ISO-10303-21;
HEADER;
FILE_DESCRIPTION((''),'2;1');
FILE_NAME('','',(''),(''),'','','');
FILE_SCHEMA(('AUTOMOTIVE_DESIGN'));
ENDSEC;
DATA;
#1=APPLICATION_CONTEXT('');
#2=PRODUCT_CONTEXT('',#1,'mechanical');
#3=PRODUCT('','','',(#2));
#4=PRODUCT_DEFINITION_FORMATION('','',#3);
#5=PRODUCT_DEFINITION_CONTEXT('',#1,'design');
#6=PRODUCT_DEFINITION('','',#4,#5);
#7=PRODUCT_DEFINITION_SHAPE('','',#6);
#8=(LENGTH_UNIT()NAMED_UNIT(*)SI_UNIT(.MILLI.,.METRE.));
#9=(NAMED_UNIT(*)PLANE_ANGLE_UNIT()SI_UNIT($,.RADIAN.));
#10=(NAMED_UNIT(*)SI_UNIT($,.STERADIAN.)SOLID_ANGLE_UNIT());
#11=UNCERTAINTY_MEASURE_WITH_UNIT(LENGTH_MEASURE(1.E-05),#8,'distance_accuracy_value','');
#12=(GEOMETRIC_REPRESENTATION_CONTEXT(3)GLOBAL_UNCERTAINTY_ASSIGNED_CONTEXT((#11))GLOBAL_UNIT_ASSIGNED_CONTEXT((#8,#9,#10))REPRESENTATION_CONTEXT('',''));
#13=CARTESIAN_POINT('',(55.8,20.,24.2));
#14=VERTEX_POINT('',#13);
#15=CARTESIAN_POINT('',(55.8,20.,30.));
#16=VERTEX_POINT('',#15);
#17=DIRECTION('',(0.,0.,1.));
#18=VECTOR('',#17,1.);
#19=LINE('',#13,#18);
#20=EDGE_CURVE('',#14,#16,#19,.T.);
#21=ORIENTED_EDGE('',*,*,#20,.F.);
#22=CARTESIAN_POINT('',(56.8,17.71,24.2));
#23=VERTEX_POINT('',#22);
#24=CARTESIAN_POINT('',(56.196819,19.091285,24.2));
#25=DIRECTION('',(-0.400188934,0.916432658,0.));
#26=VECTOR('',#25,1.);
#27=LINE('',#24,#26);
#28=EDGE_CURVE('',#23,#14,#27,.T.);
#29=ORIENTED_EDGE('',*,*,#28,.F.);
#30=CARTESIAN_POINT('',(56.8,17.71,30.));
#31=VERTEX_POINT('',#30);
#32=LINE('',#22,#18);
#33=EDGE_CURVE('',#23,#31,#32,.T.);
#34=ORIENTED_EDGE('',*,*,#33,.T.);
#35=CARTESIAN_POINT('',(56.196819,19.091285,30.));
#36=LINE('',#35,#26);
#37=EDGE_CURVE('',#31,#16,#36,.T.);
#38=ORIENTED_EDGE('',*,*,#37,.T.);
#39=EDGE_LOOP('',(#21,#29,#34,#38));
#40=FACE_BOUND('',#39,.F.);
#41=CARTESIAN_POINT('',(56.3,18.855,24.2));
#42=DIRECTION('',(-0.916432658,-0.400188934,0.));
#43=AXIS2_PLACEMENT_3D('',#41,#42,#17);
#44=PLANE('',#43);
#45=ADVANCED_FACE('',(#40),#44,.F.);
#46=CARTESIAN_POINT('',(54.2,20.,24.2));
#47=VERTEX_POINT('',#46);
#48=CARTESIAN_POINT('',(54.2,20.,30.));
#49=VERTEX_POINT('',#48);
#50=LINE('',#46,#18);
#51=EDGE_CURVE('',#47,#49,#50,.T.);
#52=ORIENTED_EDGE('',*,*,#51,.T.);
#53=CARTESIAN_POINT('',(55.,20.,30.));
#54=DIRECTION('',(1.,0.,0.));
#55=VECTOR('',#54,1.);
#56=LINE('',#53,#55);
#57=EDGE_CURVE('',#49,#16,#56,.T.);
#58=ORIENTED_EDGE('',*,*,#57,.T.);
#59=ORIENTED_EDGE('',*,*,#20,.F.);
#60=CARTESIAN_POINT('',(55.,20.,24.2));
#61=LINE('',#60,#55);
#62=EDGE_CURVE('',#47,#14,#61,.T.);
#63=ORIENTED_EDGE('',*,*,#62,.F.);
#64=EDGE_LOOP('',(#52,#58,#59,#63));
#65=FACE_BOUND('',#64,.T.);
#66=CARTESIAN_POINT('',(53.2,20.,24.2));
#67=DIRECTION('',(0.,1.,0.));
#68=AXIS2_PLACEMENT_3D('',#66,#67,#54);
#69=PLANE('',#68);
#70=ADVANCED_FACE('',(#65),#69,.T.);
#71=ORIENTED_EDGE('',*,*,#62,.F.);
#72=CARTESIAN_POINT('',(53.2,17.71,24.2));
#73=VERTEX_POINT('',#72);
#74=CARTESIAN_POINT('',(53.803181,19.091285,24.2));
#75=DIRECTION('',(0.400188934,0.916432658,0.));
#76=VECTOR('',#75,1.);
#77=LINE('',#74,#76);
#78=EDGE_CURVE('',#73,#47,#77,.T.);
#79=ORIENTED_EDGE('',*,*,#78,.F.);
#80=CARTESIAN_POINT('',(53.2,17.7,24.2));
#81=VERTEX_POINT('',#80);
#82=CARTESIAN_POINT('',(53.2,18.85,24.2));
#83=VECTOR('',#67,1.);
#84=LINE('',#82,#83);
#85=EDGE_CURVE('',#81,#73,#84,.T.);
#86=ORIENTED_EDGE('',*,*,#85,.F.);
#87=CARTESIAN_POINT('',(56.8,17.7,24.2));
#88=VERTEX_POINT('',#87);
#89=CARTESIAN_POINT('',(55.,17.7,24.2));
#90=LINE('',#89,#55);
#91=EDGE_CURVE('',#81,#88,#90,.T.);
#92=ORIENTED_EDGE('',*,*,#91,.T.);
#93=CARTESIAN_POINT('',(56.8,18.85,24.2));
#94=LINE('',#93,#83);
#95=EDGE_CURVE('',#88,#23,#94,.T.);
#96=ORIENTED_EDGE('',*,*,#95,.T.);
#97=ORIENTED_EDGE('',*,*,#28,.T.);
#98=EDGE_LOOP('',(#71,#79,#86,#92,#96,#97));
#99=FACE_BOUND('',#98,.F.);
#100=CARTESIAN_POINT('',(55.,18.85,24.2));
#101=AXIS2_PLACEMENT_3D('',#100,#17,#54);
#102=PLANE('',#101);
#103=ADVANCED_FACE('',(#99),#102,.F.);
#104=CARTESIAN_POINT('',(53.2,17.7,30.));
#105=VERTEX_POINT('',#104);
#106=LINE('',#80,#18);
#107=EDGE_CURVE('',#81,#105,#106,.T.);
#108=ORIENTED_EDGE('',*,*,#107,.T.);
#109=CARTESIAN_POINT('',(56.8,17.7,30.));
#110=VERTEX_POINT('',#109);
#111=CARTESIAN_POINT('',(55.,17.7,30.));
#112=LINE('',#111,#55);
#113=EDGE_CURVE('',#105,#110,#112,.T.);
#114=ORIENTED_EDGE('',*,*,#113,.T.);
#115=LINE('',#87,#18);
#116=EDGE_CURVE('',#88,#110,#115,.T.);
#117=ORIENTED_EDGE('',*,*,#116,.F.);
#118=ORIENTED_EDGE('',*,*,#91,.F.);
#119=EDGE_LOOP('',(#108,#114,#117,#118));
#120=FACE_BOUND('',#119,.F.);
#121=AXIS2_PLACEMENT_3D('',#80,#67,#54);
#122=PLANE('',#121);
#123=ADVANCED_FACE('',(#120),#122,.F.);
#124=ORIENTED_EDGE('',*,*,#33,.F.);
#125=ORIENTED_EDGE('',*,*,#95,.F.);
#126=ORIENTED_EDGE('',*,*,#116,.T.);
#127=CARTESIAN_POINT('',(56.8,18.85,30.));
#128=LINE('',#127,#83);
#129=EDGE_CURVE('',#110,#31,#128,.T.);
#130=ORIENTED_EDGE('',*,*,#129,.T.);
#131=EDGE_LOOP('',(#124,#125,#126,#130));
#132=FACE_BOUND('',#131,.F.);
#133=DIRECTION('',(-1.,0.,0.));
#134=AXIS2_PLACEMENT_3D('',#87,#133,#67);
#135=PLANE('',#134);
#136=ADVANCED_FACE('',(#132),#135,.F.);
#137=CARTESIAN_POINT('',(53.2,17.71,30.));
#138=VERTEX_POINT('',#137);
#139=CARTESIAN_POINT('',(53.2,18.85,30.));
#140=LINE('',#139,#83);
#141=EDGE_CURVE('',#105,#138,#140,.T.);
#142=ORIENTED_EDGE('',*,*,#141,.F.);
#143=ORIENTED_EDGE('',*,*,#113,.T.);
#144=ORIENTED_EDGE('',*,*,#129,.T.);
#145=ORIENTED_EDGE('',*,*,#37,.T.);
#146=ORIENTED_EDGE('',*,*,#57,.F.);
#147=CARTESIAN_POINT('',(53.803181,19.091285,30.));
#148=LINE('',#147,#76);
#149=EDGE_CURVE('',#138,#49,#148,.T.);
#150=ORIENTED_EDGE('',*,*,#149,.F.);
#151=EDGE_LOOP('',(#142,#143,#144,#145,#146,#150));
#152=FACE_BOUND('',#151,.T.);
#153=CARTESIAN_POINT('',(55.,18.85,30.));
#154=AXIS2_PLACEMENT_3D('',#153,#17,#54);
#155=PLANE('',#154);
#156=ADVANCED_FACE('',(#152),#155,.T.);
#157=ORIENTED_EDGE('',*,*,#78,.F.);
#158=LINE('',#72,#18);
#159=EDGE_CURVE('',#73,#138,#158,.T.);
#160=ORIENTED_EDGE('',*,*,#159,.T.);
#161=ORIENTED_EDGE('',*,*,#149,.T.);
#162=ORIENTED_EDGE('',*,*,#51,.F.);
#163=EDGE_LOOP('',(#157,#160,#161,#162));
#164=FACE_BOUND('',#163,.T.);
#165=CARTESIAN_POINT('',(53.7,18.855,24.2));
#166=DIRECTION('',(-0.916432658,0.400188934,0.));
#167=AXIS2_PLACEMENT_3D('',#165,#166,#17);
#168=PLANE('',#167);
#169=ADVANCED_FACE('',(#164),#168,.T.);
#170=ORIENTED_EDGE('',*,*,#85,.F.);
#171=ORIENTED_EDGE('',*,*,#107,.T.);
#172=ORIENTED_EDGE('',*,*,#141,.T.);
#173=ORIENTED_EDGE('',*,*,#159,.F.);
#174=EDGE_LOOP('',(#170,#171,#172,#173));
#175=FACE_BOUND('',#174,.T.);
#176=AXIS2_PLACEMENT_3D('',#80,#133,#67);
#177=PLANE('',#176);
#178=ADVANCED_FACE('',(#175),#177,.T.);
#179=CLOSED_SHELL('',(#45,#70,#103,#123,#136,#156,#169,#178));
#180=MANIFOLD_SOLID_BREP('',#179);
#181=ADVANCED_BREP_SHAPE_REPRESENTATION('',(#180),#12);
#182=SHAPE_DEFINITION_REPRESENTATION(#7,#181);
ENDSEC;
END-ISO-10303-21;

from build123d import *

# Parameters (mm, degrees)
BOX025_W           = 3.6
BOX025_H           = 2.3
BOX025_DEPTH       = 5.8
CHAMFER029_1_SIZE2 = 1
CHAMFER029_1_SIZE  = 2.29
CHAMFER029_2_SIZE2 = 1
CHAMFER029_2_SIZE  = 2.29


with BuildPart() as part:
    # Box025 → Box025 (new body)
    with BuildSketch(Plane(origin=(53.2, 17.7, 24.2), x_dir=(1, 0, 0), z_dir=(0, 0, 1))):
        with Locations((1.8, 1.15)):
            Rectangle(BOX025_W, BOX025_H)
    extrude(amount=BOX025_DEPTH)

    # Chamfer029 1
    chamfer029_1_edges = [part.edges().sort_by_distance(p)[0] for p in [
        (56.8, 20, 27.1),
    ]]
    chamfer029_1_side = part.faces().sort_by_distance((56.8, 18.85, 27.1))[0]
    chamfer(chamfer029_1_edges, length=CHAMFER029_1_SIZE, length2=CHAMFER029_1_SIZE2, reference=chamfer029_1_side)

    # Chamfer029 2
    chamfer029_2_edges = [part.edges().sort_by_distance(p)[0] for p in [
        (53.2, 20, 27.1),
    ]]
    chamfer029_2_side = part.faces().sort_by_distance((53.2, 18.85, 27.1))[0]
    chamfer(chamfer029_2_edges, length=CHAMFER029_2_SIZE, length2=CHAMFER029_2_SIZE2, reference=chamfer029_2_side)


solid = part.part
